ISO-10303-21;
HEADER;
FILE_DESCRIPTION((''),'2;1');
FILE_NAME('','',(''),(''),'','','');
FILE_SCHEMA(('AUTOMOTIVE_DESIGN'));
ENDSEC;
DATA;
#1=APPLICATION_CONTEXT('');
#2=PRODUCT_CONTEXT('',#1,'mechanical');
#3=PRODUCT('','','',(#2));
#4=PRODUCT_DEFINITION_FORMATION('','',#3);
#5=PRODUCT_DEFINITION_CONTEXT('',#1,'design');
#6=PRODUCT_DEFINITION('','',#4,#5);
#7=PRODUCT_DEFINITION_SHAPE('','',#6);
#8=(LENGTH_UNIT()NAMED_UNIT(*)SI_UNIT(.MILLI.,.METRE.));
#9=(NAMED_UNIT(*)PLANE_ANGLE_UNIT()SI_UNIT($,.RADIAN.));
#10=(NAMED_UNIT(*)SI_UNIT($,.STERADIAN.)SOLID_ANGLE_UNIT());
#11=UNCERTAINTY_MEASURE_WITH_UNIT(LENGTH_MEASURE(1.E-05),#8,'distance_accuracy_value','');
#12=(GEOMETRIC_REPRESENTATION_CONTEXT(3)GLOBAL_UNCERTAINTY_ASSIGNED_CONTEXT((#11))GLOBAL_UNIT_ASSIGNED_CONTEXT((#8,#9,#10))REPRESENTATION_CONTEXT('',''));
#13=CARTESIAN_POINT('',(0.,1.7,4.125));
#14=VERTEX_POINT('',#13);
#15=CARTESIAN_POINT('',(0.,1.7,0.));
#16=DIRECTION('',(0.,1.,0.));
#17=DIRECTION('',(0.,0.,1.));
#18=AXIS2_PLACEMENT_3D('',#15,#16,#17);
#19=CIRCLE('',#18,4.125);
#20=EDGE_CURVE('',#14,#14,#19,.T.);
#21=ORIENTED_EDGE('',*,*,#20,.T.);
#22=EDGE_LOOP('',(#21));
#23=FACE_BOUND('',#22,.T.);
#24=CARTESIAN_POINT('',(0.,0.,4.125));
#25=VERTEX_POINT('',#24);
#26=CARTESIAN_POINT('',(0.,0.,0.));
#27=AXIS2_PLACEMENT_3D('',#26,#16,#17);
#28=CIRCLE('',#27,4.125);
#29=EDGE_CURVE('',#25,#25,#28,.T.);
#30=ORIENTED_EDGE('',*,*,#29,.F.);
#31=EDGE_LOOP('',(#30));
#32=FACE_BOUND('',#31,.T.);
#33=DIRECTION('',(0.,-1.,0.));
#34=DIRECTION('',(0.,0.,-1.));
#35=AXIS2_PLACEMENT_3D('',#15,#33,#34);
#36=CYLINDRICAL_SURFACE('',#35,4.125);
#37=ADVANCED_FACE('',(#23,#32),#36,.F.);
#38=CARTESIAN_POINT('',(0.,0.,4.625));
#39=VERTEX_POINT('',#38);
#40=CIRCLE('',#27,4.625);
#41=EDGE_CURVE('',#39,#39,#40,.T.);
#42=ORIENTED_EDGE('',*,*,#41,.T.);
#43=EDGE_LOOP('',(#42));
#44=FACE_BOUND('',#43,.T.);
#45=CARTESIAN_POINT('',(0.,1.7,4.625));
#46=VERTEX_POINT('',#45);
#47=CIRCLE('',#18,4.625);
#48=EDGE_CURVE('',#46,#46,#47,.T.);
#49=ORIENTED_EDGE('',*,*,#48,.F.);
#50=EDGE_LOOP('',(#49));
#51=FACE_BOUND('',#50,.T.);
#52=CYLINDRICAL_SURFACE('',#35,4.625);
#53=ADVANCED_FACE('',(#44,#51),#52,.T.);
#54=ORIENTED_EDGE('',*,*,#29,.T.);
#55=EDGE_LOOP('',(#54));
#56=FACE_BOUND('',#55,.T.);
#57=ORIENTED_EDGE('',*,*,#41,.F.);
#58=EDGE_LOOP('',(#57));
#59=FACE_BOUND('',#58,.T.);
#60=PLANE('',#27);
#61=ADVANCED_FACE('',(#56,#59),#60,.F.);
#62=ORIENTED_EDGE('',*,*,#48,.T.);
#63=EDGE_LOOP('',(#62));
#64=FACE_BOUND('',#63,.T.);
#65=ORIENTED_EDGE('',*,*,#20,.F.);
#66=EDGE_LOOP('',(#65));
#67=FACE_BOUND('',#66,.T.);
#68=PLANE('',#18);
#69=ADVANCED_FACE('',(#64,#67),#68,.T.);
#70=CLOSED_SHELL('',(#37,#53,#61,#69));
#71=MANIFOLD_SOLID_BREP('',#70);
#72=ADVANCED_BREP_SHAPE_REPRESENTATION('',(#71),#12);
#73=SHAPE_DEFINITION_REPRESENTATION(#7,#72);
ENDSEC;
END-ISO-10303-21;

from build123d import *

# Parameters (mm, degrees)
SKETCH1_R           = 4.625
SKETCH1_R_2         = 4.125
BOSS_EXTRUDE1_DEPTH = 1.7


with BuildPart() as part:
    # Sketch1 → Boss-Extrude1 (new body)
    with BuildSketch(Plane(origin=(0, 0, 0), x_dir=(1, 0, 0), z_dir=(0, 1, 0))):
        with Locations(Location((0, 0, 0), (0, 0, 270))):
            Circle(SKETCH1_R)
        with Locations(Location((0, 0, 0), (0, 0, 270))):
            Circle(SKETCH1_R_2, mode=Mode.SUBTRACT)
    extrude(amount=BOSS_EXTRUDE1_DEPTH)


solid = part.part
